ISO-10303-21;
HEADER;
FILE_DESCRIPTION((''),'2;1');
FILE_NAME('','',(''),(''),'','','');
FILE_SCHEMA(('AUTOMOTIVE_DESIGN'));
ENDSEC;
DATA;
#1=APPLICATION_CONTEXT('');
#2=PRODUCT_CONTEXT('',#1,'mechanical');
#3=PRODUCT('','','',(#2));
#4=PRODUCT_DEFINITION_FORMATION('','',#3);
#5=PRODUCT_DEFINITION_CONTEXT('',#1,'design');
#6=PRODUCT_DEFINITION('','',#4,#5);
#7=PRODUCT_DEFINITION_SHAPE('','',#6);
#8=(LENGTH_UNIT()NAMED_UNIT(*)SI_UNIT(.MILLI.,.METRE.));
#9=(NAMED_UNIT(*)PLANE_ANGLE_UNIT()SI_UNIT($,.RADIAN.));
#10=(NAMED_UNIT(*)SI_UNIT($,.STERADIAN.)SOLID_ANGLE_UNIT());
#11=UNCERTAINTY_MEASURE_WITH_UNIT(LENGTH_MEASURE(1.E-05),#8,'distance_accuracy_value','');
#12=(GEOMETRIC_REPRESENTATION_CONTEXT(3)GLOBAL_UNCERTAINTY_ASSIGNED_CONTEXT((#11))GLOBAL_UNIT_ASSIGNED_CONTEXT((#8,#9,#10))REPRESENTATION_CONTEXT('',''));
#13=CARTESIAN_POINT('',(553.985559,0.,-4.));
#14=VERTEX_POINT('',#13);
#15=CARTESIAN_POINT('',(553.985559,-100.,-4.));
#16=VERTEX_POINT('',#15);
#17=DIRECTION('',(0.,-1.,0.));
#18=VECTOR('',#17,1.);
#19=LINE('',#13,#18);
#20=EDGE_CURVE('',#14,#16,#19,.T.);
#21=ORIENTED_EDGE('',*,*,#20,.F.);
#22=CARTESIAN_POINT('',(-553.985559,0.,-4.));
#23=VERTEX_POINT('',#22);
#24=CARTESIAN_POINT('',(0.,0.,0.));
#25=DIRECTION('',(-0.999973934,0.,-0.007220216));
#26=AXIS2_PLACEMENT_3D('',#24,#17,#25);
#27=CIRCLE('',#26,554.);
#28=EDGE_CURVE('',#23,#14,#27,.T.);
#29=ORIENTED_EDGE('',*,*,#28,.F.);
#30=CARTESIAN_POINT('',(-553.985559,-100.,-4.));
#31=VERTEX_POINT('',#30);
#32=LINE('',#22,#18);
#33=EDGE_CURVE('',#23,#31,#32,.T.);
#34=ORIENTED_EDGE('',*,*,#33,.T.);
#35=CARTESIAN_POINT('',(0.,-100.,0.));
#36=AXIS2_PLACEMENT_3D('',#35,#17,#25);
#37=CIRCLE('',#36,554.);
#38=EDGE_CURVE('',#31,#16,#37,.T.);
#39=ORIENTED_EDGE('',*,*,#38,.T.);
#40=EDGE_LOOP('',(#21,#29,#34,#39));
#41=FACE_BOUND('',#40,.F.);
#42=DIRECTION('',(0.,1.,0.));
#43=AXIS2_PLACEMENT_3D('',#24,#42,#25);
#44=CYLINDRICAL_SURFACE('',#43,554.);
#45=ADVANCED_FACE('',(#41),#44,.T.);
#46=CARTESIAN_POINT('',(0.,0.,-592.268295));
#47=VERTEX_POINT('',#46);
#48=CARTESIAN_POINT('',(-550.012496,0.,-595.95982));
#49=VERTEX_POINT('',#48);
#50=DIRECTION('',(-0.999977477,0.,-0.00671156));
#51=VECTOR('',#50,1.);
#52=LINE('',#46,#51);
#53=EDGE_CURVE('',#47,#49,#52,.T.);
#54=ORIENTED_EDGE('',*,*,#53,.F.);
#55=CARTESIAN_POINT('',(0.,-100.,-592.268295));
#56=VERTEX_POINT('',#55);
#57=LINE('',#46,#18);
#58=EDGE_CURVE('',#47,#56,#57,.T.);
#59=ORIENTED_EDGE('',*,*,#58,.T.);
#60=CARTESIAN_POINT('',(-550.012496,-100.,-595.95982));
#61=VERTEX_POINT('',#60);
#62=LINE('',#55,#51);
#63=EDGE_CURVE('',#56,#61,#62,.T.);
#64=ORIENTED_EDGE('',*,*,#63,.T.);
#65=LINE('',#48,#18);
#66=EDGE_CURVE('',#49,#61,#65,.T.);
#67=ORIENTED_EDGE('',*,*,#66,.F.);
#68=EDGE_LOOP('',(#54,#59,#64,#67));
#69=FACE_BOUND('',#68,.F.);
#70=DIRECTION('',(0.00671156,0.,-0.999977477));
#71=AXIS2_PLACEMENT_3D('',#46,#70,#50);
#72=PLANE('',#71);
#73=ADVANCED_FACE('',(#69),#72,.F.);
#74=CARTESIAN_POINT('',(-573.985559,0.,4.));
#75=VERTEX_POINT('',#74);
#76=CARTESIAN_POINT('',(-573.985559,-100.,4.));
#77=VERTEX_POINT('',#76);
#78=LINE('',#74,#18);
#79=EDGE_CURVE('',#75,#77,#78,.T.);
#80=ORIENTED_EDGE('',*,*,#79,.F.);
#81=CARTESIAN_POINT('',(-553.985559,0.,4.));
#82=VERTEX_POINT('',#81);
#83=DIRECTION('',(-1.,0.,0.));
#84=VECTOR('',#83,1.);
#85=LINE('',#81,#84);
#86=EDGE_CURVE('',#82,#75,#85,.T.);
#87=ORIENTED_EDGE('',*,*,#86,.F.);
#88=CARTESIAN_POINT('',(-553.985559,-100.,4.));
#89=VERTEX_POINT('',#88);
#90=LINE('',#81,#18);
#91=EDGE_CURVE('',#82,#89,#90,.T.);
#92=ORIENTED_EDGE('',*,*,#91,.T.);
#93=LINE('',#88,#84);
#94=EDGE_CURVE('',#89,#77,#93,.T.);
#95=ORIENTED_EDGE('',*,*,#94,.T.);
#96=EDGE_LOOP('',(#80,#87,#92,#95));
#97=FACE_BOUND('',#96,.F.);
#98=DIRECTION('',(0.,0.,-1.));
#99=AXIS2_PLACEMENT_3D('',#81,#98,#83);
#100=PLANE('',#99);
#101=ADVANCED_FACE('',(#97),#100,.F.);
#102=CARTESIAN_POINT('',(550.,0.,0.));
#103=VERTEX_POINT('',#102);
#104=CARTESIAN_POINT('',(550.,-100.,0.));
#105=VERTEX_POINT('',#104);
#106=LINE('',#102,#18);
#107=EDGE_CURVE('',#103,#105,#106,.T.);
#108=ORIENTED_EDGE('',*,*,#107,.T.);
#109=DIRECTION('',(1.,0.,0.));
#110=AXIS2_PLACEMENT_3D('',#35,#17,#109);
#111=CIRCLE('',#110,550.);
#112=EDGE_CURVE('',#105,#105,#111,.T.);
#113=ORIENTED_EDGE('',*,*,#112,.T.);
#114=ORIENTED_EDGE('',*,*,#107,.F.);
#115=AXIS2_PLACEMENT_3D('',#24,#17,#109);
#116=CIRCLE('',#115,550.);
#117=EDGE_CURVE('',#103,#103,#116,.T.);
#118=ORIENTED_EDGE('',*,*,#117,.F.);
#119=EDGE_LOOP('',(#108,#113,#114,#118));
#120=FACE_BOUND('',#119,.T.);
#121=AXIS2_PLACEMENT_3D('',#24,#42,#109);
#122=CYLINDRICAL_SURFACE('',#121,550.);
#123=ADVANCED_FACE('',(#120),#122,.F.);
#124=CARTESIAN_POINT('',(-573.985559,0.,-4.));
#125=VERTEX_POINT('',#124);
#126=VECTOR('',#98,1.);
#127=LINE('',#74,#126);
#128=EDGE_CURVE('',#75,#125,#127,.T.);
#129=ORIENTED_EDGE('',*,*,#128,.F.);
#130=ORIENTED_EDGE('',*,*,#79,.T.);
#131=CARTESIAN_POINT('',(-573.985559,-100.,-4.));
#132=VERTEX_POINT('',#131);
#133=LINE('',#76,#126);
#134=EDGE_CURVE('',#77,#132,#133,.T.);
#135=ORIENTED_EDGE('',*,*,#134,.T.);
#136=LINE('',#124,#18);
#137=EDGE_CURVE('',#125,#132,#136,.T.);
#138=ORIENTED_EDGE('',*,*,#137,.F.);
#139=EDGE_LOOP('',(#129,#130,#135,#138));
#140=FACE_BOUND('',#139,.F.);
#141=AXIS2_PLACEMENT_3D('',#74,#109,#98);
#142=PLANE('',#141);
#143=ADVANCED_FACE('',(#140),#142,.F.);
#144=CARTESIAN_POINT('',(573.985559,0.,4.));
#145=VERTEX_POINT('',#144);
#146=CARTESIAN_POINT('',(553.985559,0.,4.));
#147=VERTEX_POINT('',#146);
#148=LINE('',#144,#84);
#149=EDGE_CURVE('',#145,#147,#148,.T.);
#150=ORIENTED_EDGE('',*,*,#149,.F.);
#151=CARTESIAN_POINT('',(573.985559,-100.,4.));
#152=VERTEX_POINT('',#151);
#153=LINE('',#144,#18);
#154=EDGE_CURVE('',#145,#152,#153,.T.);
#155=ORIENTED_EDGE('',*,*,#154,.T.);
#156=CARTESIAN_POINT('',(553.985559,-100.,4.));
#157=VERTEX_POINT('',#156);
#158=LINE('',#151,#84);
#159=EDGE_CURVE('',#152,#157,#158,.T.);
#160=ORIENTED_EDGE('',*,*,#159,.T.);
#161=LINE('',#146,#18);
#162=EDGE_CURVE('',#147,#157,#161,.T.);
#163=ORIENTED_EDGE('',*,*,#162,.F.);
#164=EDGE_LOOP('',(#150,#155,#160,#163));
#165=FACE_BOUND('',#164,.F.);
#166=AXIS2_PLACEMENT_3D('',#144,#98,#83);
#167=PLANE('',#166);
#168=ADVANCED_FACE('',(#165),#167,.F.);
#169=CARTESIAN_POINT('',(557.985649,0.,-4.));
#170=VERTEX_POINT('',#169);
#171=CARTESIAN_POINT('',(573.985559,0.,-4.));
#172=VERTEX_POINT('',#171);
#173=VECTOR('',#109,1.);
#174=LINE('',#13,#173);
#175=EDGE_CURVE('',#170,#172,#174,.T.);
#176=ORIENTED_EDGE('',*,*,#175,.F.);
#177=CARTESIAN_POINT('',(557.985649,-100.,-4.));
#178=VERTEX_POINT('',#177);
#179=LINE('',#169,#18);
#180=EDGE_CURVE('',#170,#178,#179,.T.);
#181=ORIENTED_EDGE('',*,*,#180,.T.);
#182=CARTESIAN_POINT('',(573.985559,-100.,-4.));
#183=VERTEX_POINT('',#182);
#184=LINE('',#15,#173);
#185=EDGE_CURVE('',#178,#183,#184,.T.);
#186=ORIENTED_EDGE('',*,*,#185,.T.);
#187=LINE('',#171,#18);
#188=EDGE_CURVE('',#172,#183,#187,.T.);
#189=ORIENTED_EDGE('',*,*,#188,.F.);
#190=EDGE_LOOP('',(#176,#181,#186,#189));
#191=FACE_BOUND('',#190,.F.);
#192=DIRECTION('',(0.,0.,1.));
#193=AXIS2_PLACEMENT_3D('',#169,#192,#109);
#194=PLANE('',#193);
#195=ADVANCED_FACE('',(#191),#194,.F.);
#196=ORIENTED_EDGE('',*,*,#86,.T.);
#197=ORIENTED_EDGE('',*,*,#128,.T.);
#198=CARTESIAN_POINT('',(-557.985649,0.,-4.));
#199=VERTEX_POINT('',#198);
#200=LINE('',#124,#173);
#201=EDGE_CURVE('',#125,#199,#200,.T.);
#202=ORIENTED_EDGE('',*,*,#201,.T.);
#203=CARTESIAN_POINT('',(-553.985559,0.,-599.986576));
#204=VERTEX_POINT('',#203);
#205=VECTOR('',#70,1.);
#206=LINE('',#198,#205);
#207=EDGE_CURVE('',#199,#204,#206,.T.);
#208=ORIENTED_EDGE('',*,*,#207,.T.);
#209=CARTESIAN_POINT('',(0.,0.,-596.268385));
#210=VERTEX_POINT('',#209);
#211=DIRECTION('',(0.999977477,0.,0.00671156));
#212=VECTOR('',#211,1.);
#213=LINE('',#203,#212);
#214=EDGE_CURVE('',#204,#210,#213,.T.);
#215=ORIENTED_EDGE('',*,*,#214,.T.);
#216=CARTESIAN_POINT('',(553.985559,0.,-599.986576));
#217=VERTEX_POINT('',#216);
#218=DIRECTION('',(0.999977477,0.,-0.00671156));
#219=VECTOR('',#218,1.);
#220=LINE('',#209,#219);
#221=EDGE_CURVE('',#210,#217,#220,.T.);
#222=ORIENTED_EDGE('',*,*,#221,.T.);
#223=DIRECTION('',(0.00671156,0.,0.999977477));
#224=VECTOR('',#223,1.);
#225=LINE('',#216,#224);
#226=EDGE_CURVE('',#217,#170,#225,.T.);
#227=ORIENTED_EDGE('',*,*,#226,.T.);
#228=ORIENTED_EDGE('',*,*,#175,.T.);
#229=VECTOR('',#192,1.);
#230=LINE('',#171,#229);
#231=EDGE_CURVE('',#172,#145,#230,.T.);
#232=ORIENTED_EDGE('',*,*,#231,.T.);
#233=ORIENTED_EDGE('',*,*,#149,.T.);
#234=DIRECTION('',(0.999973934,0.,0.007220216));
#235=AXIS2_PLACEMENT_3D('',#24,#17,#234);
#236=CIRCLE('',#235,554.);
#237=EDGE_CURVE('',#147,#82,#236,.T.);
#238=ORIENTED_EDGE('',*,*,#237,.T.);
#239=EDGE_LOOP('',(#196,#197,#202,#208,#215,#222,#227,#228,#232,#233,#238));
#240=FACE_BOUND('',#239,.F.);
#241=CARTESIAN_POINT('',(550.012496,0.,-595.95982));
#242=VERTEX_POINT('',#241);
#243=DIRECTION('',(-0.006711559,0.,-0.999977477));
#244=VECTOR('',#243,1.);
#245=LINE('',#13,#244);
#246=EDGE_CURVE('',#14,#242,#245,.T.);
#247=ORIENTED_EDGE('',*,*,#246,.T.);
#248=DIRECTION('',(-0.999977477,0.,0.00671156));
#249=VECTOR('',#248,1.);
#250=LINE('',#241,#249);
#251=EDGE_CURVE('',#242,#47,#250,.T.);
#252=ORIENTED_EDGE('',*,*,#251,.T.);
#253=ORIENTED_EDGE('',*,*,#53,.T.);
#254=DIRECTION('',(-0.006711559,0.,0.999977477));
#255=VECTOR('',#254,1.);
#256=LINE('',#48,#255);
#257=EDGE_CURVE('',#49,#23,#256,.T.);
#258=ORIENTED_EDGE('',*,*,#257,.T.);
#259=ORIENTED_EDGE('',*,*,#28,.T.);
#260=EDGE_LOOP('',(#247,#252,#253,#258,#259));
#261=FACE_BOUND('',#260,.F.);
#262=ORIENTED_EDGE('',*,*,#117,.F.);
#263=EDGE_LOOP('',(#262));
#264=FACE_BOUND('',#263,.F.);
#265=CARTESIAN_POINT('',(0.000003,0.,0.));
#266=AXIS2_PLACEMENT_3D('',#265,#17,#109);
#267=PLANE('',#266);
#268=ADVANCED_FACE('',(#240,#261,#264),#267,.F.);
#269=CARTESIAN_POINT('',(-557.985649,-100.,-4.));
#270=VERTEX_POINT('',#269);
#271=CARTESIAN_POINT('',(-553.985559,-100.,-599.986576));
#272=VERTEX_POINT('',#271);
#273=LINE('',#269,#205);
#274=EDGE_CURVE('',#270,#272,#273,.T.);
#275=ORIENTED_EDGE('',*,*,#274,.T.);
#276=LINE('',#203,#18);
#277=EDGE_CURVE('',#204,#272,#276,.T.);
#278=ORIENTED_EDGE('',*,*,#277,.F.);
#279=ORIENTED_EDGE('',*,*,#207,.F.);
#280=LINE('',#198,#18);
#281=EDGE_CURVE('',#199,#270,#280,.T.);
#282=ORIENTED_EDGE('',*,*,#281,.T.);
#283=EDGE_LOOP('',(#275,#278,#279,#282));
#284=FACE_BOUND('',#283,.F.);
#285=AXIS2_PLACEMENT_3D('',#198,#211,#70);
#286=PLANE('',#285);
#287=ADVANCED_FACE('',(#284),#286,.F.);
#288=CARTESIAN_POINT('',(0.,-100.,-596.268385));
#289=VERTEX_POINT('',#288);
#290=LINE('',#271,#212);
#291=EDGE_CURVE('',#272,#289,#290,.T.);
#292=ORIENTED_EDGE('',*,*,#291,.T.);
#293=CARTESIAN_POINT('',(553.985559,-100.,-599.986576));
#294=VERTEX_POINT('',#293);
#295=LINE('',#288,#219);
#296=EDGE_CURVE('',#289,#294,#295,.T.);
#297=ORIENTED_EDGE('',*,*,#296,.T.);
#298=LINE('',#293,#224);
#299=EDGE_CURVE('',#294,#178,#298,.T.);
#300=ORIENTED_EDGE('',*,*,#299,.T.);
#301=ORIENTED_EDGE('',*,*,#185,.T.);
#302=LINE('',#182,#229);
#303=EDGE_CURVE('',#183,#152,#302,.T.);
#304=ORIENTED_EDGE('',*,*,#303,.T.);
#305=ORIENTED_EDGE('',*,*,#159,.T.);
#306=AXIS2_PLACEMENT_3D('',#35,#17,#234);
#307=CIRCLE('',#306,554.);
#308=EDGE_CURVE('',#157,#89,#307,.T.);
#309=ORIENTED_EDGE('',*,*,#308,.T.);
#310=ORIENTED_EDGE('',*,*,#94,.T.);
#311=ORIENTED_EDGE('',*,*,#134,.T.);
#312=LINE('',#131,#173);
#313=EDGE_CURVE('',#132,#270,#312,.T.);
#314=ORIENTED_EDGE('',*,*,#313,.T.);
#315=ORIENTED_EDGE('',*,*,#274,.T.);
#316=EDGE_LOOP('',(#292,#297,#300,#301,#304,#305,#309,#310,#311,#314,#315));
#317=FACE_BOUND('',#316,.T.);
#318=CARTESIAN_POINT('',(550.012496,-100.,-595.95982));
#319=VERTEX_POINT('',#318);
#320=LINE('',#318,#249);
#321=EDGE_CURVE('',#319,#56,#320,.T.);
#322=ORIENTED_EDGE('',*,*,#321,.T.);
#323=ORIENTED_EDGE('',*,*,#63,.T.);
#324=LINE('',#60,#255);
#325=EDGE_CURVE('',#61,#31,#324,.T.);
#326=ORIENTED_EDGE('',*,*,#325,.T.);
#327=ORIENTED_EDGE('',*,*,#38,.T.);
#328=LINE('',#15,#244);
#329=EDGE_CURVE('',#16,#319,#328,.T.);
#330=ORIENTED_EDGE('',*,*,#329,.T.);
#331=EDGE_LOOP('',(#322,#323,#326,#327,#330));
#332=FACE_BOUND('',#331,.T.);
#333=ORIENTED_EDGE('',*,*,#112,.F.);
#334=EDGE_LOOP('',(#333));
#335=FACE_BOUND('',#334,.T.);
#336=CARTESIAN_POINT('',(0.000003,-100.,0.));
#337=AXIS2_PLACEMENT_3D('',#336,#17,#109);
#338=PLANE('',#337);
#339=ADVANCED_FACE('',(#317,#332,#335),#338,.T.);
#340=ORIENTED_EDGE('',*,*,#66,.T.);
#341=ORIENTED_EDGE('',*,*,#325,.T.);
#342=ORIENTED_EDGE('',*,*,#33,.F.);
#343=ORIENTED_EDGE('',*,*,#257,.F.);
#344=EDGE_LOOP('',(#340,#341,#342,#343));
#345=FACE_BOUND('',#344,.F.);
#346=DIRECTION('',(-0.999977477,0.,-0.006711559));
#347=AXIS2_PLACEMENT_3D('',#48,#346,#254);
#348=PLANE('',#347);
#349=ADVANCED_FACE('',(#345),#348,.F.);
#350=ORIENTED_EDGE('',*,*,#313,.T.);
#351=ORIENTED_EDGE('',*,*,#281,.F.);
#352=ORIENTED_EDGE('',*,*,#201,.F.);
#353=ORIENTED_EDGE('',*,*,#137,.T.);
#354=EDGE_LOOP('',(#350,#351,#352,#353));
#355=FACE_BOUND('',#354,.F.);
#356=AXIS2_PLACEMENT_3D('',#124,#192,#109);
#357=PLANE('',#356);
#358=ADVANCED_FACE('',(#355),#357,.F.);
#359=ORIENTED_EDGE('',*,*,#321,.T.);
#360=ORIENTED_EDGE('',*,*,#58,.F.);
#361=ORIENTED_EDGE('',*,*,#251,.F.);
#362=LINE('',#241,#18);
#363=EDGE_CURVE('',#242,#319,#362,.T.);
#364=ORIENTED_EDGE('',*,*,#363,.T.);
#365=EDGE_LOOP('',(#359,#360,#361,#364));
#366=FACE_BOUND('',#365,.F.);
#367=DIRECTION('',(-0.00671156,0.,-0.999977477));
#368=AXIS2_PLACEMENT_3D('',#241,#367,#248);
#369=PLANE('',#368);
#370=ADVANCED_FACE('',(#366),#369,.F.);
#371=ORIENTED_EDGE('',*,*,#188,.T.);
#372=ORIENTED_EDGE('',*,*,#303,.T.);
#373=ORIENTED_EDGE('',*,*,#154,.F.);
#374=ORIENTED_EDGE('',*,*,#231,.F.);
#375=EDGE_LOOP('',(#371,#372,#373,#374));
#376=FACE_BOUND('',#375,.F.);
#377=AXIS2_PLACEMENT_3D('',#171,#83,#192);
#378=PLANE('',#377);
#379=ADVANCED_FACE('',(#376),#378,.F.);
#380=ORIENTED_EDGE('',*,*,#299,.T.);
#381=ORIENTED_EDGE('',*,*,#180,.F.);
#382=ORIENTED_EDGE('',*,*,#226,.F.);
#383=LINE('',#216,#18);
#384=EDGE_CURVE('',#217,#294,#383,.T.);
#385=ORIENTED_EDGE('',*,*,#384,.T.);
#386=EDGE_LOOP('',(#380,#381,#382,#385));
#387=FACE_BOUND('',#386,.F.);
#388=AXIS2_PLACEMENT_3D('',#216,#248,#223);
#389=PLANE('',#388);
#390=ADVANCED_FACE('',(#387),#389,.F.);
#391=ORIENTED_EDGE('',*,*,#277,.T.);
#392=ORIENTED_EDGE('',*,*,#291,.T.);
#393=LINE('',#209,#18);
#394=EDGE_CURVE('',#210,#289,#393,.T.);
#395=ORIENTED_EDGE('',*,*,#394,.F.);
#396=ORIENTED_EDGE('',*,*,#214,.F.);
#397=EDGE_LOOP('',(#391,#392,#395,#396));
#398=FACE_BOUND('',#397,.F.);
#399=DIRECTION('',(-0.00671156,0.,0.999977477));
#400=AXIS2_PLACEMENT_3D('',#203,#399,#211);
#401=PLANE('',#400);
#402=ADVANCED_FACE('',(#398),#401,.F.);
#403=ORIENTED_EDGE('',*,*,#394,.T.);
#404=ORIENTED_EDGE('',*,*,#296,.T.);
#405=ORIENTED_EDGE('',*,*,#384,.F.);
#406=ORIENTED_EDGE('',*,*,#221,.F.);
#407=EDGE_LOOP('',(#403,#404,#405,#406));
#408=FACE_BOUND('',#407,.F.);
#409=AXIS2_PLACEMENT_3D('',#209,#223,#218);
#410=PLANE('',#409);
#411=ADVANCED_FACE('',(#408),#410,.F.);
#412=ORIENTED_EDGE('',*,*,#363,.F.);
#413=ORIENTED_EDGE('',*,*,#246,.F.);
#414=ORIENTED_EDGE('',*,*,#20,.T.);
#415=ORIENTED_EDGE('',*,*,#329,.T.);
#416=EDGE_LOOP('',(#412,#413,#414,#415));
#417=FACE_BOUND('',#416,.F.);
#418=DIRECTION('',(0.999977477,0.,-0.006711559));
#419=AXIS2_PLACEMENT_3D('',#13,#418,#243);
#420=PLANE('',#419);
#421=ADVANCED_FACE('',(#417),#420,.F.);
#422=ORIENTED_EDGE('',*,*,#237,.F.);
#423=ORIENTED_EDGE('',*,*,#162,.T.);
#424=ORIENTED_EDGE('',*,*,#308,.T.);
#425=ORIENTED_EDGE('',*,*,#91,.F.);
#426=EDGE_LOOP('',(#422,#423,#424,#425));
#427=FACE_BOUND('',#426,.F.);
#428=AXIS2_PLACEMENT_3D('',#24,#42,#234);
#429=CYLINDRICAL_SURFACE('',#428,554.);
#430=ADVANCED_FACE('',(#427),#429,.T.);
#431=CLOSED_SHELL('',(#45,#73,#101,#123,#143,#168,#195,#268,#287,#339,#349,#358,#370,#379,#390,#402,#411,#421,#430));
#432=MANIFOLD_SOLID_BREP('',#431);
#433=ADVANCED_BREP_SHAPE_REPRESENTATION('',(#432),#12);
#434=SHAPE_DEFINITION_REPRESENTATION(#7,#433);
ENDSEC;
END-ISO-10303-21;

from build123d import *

# Parameters (mm, degrees)
F0_R     = 550
F1_DEPTH = 100


with BuildPart() as f1:
    # F0 (on Front) → F1 (new body)
    with BuildSketch(Plane.XZ):
        with BuildLine():
            ThreePointArc((553.985559, -4), (553.99639, -2.000013), (554, 0))
            ThreePointArc((554, 0), (553.99639, 2.000013), (553.985559, 4))
            ThreePointArc((553.985559, 4), (0, 554), (-553.985559, 4))
            ThreePointArc((-553.985559, 4), (-554, 0), (-553.985559, -4))
            ThreePointArc((-553.985559, -4), (0, -554), (553.985559, -4))
        make_face()
        Circle(F0_R, mode=Mode.SUBTRACT)
        with BuildLine():
            ThreePointArc((553.985559, 4), (553.99639, 2.000013), (554, 0))
            ThreePointArc((554, 0), (553.99639, -2.000013), (553.985559, -4))
            Line((553.985559, -4), (557.985649, -4))
            Line((557.985649, -4), (573.985559, -4))
            Line((573.985559, -4), (573.985559, 0))
            Line((573.985559, 0), (573.985559, 4))
            Line((573.985559, 4), (553.985559, 4))
        make_face()
        Polygon((557.985649, -4), (553.985559, -4), (550.012496, -595.95982), (0, -592.268295), (-550.012496, -595.95982), (-553.985559, -4), (-557.985649, -4), (-553.985559, -599.986576), (0, -596.268385), (553.985559, -599.986576), align=None)
        with BuildLine():
            ThreePointArc((-553.985559, -4), (-554, 0), (-553.985559, 4))
            Line((-553.985559, 4), (-573.985559, 4))
            Line((-573.985559, 4), (-573.985559, 0))
            Line((-573.985559, 0), (-573.985559, -4))
            Line((-573.985559, -4), (-557.985649, -4))
            Line((-557.985649, -4), (-553.985559, -4))
        make_face()
    extrude(amount=F1_DEPTH)


solid = f1.part
